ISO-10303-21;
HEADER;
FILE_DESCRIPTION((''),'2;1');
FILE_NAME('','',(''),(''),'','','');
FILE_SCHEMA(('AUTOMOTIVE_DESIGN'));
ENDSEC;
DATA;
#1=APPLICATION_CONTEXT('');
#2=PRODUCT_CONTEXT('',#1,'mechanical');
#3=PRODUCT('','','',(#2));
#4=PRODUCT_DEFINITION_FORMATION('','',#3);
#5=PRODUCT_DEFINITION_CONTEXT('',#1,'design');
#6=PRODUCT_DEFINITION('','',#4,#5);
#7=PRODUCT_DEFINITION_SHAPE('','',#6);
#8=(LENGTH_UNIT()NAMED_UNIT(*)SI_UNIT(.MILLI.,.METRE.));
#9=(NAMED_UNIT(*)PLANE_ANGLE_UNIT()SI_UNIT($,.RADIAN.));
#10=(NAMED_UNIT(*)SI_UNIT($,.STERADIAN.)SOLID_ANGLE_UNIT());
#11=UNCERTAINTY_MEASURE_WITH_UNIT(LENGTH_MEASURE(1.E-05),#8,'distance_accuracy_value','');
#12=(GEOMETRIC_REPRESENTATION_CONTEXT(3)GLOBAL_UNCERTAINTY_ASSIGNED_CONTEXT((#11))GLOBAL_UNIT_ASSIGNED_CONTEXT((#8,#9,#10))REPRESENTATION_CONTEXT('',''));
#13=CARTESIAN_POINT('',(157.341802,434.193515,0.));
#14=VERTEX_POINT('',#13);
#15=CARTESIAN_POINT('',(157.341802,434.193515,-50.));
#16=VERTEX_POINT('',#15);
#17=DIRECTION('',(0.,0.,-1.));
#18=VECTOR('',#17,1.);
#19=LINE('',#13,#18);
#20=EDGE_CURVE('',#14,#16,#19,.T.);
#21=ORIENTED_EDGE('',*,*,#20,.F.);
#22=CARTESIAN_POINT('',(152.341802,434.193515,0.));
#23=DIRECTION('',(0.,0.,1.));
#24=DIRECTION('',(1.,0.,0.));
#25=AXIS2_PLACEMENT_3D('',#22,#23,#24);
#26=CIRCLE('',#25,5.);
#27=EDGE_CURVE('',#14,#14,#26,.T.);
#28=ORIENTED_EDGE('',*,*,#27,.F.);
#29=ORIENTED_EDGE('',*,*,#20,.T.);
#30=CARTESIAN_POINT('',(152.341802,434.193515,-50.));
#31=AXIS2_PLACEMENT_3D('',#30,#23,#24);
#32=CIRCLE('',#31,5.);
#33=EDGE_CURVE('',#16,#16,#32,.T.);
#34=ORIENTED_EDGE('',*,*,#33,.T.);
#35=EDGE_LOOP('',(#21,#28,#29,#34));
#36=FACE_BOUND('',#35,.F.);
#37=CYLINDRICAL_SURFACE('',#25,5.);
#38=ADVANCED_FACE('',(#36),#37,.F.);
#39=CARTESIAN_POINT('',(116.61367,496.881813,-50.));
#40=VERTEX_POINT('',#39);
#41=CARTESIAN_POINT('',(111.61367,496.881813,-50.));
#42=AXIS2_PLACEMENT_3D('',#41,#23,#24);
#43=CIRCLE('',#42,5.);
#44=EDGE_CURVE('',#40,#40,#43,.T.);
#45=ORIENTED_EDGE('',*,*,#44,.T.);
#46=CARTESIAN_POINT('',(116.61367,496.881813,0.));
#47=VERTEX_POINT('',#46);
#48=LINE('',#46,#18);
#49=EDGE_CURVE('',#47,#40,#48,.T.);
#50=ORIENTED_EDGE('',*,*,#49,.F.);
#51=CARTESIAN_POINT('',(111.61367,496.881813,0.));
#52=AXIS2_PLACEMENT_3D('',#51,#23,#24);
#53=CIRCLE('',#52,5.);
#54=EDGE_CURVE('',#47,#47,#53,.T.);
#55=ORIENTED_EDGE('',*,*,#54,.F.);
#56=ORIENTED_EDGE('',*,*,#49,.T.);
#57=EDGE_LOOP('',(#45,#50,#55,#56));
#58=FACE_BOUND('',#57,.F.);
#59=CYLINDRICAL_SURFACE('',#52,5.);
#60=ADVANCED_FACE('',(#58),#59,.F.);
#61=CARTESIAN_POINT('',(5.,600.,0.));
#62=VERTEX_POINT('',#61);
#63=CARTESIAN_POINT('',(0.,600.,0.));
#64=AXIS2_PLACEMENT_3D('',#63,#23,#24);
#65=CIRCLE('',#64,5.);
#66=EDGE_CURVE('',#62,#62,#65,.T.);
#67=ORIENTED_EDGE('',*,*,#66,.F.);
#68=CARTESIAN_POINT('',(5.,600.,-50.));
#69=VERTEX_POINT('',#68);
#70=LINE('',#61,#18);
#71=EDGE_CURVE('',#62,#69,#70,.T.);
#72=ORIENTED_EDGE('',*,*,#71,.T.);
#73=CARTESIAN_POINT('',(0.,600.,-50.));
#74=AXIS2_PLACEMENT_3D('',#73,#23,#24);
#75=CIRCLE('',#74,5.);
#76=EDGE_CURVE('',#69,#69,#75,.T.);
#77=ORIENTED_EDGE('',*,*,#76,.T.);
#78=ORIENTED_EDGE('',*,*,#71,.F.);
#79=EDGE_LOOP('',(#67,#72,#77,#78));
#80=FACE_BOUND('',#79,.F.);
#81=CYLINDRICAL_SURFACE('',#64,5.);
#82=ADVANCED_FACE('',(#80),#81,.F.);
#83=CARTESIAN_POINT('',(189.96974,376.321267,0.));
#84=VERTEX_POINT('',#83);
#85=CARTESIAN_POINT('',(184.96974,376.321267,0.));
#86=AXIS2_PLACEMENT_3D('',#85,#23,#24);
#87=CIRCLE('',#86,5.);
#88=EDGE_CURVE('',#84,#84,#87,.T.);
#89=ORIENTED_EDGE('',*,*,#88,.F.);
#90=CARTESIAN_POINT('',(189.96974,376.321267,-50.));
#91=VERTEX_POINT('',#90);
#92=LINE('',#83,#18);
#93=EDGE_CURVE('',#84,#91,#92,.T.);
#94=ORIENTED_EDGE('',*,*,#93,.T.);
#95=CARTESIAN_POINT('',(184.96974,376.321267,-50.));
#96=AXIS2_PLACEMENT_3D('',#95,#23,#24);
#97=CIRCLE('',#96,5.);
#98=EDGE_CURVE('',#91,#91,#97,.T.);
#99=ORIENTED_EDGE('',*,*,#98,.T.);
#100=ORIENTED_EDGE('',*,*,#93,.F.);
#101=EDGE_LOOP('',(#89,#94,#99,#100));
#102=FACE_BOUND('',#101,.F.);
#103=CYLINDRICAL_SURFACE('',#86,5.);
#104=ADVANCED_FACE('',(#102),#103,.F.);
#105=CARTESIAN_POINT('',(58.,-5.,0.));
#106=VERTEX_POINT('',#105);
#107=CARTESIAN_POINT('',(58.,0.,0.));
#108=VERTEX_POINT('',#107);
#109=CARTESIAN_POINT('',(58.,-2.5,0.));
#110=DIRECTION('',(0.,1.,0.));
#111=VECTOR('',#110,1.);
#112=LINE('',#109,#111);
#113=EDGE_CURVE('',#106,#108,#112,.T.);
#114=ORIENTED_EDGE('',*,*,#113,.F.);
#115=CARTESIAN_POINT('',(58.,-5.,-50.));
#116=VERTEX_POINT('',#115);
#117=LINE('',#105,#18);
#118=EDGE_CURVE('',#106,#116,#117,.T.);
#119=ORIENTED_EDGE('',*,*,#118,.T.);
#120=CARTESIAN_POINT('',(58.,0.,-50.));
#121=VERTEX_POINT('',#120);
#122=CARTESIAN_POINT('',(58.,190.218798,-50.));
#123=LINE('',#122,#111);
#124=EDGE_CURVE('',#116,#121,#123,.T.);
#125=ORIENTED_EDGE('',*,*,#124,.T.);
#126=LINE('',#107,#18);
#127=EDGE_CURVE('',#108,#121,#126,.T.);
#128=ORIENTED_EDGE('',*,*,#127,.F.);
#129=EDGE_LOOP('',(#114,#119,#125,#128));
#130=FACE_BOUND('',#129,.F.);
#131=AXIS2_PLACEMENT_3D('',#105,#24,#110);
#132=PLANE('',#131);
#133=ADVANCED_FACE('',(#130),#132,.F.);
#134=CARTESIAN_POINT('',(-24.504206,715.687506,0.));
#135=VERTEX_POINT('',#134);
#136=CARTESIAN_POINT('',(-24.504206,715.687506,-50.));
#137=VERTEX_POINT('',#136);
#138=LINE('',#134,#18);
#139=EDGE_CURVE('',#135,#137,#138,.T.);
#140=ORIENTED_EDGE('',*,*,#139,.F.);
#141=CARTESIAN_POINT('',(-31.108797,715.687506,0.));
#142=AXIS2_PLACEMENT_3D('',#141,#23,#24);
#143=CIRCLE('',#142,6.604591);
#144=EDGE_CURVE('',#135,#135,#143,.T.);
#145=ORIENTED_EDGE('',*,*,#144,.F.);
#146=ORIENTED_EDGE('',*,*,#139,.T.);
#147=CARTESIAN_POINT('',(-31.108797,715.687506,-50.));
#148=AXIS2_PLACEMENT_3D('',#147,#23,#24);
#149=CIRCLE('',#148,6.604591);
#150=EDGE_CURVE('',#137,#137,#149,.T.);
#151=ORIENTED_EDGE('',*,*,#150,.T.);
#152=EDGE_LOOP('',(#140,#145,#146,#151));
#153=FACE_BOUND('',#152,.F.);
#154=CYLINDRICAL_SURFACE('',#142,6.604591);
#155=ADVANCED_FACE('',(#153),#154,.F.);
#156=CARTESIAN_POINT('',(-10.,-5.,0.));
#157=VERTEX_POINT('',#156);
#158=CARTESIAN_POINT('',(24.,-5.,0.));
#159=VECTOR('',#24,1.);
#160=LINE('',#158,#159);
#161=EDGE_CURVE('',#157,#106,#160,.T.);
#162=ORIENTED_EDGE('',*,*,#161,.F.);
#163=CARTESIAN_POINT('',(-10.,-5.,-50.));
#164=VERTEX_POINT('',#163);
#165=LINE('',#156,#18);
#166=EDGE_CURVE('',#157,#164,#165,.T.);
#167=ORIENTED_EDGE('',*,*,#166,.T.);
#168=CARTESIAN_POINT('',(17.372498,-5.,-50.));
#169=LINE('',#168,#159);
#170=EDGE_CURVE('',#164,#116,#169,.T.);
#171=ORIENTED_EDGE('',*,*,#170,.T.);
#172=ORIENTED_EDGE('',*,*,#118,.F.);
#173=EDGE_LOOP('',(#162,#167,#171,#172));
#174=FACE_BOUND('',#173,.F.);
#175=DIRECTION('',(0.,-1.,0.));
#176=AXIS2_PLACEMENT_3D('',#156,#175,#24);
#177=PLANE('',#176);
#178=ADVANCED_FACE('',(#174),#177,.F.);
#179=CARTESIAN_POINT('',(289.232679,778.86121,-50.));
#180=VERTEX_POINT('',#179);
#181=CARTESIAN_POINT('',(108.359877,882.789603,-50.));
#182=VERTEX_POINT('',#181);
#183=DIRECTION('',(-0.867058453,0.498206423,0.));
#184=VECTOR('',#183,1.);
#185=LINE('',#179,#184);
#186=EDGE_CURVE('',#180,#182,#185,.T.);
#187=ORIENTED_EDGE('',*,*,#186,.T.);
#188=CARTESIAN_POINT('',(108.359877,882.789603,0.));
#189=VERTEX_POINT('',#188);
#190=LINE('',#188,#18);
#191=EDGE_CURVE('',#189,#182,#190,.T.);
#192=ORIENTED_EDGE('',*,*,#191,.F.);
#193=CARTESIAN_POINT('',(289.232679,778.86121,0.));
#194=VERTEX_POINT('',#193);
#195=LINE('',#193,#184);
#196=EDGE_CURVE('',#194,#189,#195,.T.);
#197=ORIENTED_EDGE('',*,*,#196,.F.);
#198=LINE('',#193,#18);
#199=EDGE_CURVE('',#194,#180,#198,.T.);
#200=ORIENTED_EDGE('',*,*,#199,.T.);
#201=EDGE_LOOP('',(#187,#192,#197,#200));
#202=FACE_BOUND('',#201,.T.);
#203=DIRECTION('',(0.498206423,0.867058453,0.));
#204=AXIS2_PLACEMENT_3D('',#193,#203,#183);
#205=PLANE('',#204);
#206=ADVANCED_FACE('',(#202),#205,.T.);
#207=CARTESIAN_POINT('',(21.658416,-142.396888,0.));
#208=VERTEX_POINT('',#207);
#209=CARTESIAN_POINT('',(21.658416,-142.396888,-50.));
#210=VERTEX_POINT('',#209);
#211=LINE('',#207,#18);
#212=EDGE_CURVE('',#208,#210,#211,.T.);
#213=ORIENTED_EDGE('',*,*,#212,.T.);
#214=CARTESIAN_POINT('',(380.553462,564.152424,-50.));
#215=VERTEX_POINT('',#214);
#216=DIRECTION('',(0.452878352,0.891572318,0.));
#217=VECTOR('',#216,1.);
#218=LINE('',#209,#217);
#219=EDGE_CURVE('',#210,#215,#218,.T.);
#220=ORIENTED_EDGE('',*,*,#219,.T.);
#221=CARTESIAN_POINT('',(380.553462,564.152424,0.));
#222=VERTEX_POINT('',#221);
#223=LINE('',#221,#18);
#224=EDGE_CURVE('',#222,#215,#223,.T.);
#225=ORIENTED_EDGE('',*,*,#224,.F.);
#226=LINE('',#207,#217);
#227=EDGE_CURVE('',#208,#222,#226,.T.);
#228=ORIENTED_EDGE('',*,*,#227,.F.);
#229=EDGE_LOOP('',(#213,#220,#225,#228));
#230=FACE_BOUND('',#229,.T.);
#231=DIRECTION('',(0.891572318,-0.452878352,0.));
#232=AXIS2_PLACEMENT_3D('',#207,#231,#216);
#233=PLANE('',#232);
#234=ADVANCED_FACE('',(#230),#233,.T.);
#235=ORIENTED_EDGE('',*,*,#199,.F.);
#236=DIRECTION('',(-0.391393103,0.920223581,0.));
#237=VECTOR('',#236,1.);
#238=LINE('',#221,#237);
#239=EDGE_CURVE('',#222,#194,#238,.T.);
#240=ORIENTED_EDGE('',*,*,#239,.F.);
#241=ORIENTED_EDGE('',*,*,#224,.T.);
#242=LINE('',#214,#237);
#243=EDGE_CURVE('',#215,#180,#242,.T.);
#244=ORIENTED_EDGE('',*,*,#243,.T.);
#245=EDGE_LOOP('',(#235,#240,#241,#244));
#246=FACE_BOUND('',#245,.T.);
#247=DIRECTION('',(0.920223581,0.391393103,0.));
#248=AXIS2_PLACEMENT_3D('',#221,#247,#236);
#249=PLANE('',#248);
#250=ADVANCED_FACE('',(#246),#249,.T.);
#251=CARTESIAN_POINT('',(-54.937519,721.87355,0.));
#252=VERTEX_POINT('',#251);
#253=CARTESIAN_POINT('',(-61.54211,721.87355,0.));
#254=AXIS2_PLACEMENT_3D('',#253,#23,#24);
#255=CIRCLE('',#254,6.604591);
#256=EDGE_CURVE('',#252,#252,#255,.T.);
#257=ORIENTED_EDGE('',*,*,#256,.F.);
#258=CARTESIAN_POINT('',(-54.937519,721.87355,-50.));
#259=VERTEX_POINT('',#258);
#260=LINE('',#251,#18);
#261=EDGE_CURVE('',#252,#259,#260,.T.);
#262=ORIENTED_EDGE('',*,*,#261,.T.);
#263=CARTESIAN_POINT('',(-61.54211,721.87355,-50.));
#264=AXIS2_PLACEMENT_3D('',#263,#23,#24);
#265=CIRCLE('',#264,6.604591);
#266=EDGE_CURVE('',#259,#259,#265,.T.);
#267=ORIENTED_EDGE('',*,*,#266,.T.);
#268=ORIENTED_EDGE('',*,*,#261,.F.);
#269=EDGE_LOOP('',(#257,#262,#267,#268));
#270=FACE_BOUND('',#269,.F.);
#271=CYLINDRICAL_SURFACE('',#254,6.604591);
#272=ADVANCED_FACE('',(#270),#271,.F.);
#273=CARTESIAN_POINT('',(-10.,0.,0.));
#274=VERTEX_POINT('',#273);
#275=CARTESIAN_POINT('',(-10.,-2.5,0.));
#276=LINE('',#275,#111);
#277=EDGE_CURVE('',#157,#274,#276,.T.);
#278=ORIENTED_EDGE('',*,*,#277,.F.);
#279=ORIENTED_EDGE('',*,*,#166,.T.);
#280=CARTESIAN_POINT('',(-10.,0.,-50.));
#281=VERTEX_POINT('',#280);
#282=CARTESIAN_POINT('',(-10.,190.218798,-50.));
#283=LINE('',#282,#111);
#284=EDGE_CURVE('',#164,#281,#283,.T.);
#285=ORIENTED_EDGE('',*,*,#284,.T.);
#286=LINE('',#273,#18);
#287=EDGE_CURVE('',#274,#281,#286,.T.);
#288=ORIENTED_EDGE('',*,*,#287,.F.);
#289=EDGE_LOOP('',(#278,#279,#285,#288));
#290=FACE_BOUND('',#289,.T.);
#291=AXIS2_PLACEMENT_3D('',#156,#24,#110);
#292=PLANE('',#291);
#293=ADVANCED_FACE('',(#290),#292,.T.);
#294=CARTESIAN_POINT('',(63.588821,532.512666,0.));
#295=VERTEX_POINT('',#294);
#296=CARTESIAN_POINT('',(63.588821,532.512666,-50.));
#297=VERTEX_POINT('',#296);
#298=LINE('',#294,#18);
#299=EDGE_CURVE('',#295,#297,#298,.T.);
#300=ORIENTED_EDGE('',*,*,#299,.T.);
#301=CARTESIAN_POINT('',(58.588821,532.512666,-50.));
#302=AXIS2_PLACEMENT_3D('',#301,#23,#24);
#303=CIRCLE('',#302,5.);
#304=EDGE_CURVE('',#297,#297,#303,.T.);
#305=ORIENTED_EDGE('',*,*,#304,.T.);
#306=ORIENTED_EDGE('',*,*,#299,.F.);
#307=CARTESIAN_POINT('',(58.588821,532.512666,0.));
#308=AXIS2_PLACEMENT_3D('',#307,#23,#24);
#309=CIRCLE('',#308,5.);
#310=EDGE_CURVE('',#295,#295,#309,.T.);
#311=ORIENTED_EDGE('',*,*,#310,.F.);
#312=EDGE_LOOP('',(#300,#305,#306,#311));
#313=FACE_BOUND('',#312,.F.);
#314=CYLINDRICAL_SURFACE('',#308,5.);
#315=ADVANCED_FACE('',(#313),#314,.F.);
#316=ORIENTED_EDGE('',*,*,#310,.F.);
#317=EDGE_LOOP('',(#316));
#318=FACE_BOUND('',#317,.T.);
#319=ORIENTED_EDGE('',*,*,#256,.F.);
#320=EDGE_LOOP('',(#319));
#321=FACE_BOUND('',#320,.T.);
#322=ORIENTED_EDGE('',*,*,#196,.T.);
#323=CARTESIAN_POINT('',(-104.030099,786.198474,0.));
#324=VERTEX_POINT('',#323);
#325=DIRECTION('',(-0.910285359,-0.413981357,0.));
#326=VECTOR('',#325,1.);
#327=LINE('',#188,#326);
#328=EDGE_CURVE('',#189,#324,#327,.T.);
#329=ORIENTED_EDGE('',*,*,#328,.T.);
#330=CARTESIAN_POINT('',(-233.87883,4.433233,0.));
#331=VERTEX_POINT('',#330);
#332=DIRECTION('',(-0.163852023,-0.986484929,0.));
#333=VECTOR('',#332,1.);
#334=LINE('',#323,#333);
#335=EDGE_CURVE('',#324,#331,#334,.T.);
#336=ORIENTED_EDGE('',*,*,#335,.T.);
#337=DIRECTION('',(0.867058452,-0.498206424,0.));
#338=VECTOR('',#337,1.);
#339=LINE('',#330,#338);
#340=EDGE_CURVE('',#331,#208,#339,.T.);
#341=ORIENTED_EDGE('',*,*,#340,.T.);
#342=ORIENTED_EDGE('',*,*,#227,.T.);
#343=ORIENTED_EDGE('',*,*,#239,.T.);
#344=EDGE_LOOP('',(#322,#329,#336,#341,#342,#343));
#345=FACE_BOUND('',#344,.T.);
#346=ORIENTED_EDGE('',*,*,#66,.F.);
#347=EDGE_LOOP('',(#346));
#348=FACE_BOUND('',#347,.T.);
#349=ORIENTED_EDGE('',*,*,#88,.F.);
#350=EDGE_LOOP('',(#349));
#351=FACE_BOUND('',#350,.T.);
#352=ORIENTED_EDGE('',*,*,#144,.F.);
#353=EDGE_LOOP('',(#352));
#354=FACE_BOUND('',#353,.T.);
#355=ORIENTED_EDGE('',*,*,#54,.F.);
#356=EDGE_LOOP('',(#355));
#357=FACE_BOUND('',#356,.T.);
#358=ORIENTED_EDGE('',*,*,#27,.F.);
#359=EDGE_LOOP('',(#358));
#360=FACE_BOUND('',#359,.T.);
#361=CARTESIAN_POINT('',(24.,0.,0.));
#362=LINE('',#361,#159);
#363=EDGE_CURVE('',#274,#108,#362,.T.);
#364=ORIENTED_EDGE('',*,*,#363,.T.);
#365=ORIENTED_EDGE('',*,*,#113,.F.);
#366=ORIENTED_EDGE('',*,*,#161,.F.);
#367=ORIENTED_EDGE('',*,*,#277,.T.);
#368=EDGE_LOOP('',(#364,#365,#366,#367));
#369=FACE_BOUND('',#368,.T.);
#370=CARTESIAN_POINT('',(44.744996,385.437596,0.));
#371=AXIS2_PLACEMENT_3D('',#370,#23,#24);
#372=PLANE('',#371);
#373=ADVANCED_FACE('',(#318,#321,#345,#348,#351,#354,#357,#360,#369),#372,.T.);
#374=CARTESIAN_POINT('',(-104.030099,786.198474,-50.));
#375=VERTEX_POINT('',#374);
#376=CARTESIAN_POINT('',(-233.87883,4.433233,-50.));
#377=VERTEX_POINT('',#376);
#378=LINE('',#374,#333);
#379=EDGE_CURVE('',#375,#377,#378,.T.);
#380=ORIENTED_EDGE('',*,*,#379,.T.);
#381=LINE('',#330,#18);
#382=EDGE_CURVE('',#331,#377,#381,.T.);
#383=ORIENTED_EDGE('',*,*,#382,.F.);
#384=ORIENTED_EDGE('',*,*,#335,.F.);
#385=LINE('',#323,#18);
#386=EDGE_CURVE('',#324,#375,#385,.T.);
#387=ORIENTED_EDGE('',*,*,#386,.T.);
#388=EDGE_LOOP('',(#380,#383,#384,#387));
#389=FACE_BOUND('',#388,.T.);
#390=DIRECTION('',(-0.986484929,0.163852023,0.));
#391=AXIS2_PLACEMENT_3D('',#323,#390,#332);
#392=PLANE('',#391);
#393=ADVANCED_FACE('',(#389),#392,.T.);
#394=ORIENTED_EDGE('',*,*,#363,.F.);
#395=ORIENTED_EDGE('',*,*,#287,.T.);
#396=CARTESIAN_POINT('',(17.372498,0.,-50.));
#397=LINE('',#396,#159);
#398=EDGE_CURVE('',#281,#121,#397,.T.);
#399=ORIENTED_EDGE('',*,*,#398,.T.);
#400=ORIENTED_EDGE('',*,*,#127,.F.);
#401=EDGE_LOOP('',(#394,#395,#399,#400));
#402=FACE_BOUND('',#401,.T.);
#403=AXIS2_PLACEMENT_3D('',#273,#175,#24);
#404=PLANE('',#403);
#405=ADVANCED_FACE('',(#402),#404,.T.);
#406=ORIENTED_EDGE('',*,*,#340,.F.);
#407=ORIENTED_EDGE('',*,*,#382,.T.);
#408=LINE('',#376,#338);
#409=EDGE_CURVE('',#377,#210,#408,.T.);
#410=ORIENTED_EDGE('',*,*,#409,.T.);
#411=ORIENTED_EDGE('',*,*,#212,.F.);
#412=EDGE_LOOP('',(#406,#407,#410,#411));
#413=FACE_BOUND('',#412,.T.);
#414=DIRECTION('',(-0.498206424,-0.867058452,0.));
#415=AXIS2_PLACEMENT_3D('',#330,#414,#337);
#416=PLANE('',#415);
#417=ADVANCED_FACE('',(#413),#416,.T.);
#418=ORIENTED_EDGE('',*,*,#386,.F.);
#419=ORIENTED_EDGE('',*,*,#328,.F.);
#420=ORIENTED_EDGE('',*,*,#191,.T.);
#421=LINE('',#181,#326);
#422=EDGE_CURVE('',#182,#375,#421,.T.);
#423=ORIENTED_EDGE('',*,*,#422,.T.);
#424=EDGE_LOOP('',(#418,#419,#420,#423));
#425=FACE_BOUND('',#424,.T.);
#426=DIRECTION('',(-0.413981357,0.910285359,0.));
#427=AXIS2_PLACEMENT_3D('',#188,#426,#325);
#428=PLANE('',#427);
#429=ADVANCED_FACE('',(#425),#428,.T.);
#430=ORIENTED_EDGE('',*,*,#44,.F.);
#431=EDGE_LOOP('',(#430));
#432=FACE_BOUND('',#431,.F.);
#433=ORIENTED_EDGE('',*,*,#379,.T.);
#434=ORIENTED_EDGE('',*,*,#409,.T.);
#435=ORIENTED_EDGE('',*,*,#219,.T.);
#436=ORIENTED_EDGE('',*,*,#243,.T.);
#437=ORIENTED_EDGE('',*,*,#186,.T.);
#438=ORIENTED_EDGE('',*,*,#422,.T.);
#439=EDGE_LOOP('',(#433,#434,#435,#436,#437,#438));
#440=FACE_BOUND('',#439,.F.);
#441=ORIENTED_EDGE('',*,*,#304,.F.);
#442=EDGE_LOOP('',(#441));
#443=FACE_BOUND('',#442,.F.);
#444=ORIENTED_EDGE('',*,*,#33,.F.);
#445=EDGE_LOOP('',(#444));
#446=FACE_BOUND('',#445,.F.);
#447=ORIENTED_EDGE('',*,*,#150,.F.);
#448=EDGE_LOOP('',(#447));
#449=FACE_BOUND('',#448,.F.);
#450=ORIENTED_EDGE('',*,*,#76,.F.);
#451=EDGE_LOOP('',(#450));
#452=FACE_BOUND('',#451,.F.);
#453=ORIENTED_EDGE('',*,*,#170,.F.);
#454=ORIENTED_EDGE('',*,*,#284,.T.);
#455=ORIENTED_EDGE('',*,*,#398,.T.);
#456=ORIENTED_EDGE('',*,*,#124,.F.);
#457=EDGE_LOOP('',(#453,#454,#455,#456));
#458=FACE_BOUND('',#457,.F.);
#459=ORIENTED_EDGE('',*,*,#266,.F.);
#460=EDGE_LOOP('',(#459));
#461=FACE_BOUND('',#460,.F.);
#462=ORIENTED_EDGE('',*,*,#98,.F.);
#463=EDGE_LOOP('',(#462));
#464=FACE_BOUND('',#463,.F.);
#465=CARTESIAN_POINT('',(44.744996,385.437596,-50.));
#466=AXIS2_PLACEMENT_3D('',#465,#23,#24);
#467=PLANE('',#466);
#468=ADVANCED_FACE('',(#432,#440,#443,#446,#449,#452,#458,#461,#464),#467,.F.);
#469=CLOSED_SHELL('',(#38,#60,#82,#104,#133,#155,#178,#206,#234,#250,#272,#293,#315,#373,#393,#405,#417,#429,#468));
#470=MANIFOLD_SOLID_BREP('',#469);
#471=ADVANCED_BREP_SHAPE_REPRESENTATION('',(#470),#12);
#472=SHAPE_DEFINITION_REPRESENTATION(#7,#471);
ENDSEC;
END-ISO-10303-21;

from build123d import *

# Parameters (mm, degrees)
PAD_DEPTH    = 50
SKETCH_R     = 5
SKETCH_R_2   = 6.604591
SKETCH_W     = 68
SKETCH_H     = 5
POCKET_DEPTH = 50.001


with BuildPart() as part:
    # Sketch001 → Pad (new body)
    with BuildSketch(Plane.XY):
        Polygon((21.658416, -142.396888), (380.553462, 564.152424), (289.232679, 778.86121), (108.359877, 882.789603), (-104.030099, 786.198474), (-233.87883, 4.433233), align=None)
    extrude(amount=-PAD_DEPTH)

    # Sketch (on Face7 of Pad) → Pocket (cut, through all)
    with BuildSketch(Plane.XY):
        with Locations((0, 600)):
            Circle(SKETCH_R)
        with Locations((58.588821, 532.512666)):
            Circle(SKETCH_R)
        with Locations((111.61367, 496.881813)):
            Circle(SKETCH_R)
        with Locations((152.341802, 434.193515)):
            Circle(SKETCH_R)
        with Locations((184.96974, 376.321267)):
            Circle(SKETCH_R)
        with Locations((-31.108797, 715.687506)):
            Circle(SKETCH_R_2)
        with Locations((-61.54211, 721.87355)):
            Circle(SKETCH_R_2)
        with Locations((24, -2.5)):
            Rectangle(SKETCH_W, SKETCH_H)
    extrude(amount=-POCKET_DEPTH, mode=Mode.SUBTRACT)


solid = part.part
